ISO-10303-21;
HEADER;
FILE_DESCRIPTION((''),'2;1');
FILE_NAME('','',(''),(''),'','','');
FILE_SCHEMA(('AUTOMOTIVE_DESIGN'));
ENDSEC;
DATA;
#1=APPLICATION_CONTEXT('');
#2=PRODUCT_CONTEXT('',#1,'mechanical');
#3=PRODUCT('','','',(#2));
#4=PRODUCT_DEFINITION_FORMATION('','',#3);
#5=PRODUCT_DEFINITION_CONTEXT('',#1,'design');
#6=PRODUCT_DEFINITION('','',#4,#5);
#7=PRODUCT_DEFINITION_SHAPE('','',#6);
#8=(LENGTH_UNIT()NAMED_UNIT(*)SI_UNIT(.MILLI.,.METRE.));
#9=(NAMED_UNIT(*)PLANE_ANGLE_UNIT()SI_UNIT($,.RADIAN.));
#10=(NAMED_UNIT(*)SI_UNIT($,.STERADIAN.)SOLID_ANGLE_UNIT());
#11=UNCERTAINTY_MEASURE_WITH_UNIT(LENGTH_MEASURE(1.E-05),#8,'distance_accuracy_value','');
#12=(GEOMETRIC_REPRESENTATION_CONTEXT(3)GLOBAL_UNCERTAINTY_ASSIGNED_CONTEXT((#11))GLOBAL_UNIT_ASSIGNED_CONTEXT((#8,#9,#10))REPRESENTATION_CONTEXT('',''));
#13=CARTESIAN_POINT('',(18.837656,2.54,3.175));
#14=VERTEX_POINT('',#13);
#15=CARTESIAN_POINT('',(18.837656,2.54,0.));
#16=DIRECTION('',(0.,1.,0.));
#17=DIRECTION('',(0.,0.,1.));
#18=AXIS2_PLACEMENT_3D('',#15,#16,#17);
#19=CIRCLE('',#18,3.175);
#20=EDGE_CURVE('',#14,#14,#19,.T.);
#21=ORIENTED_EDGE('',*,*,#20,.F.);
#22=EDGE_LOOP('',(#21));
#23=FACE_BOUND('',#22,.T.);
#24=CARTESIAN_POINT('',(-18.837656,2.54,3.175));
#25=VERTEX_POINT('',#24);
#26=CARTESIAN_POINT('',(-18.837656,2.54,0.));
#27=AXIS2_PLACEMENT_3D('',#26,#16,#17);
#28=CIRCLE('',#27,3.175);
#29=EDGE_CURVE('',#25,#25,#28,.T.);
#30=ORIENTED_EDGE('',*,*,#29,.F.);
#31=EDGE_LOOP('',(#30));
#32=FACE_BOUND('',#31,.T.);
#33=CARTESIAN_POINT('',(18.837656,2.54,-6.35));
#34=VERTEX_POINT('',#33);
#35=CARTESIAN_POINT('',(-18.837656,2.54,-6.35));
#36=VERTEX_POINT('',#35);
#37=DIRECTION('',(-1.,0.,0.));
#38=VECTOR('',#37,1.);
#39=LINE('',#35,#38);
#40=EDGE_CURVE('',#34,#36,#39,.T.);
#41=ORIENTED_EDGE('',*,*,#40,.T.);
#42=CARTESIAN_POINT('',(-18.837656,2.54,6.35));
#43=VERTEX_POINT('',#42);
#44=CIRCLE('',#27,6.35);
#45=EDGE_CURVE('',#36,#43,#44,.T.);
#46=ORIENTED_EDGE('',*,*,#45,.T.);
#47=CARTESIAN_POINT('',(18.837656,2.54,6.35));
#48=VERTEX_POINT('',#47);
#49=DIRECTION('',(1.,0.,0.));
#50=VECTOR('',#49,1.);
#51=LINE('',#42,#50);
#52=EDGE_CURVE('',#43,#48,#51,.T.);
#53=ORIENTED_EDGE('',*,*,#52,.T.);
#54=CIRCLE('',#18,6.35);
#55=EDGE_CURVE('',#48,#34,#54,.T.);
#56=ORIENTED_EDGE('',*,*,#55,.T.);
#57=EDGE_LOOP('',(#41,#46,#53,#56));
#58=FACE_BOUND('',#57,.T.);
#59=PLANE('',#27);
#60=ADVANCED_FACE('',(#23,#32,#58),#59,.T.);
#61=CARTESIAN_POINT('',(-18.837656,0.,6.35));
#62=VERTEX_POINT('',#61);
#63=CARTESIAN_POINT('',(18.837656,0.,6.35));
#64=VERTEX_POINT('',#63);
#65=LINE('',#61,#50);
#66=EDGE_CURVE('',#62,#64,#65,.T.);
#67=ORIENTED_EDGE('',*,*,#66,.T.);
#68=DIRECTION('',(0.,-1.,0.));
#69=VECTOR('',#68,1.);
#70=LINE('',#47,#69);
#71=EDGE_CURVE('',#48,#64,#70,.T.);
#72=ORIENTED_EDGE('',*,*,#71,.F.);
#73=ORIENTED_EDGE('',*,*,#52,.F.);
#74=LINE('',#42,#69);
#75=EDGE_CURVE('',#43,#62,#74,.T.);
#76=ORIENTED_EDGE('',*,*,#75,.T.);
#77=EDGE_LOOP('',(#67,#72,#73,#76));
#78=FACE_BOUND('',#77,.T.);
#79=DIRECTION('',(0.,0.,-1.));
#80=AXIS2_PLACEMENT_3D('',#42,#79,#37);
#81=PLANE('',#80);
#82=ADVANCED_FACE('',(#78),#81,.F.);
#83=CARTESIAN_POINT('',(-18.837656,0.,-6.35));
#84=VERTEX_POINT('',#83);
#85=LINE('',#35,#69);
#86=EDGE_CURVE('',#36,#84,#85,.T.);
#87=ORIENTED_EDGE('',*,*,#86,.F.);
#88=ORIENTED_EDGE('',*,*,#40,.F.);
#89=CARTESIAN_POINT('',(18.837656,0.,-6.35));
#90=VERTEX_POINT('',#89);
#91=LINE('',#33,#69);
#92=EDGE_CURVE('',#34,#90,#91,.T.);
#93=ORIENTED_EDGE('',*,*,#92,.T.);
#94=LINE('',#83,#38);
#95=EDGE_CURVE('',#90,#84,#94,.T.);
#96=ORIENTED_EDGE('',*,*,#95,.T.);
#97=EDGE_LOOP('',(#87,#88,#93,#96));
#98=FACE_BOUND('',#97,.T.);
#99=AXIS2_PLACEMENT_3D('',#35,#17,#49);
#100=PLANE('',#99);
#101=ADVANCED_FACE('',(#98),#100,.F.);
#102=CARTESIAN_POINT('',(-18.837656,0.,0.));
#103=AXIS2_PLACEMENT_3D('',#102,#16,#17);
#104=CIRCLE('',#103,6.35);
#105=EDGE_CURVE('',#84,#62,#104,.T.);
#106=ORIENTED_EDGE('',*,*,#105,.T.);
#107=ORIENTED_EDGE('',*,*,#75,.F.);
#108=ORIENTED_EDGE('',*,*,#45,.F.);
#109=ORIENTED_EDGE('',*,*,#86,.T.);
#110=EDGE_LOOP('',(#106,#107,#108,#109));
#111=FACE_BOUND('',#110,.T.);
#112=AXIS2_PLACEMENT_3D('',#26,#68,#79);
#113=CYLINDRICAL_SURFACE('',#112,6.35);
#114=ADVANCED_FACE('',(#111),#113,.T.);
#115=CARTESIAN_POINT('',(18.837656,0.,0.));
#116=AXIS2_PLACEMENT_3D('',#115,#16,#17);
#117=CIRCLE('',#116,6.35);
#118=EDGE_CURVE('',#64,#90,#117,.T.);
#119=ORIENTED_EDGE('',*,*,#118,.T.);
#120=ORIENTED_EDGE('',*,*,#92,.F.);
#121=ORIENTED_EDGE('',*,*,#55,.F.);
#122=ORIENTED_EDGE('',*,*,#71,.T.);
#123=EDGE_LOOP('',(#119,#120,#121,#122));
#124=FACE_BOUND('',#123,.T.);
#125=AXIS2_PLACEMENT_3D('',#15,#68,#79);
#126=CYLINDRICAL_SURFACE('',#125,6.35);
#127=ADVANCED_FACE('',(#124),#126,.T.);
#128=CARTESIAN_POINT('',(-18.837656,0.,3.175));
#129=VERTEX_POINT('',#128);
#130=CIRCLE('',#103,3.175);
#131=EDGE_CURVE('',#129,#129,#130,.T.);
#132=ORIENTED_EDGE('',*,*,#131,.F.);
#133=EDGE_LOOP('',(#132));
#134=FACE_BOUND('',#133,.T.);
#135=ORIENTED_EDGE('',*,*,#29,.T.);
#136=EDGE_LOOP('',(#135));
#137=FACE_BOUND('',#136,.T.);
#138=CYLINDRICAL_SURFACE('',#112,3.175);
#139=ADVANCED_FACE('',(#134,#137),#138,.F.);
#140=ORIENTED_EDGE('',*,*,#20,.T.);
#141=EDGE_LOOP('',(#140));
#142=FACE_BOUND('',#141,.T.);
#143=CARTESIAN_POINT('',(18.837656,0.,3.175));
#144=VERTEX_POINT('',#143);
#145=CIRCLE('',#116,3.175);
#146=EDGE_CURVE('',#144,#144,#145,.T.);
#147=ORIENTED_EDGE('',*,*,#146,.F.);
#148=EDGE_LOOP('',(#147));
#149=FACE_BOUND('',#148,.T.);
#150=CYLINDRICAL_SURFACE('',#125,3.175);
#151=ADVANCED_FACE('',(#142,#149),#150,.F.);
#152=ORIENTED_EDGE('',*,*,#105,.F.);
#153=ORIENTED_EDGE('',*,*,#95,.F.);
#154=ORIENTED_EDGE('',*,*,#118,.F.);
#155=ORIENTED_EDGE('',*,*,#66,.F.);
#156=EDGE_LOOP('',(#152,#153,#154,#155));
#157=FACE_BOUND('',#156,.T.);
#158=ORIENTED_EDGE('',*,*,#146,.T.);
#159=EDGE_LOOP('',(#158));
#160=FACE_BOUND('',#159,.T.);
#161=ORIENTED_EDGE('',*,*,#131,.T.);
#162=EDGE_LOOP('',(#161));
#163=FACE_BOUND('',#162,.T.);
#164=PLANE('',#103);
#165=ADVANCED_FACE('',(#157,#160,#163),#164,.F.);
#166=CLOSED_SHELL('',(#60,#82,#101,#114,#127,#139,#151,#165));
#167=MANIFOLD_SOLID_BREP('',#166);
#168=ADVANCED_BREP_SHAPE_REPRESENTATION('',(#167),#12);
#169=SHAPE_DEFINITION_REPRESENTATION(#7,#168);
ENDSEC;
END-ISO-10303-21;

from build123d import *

# Parameters (mm, degrees)
SKETCH1_R           = 3.175
BOSS_EXTRUDE1_DEPTH = 2.54


with BuildPart() as part:
    # Sketch1 → Boss-Extrude1 (new body)
    with BuildSketch(Plane(origin=(0, 0, 0), x_dir=(1, 0, 0), z_dir=(0, 1, 0))):
        with BuildLine():
            Line((-18.837656, 6.35), (18.837656, 6.35))
            ThreePointArc((18.837656, 6.35), (25.187656, 0), (18.837656, -6.35))
            Line((18.837656, -6.35), (-18.837656, -6.35))
            ThreePointArc((-18.837656, -6.35), (-25.187656, 0), (-18.837656, 6.35))
        make_face()
        with Locations((-18.837656, 0)):
            Circle(SKETCH1_R, mode=Mode.SUBTRACT)
        with Locations((18.837656, 0)):
            Circle(SKETCH1_R, mode=Mode.SUBTRACT)
    extrude(amount=BOSS_EXTRUDE1_DEPTH)


solid = part.part
